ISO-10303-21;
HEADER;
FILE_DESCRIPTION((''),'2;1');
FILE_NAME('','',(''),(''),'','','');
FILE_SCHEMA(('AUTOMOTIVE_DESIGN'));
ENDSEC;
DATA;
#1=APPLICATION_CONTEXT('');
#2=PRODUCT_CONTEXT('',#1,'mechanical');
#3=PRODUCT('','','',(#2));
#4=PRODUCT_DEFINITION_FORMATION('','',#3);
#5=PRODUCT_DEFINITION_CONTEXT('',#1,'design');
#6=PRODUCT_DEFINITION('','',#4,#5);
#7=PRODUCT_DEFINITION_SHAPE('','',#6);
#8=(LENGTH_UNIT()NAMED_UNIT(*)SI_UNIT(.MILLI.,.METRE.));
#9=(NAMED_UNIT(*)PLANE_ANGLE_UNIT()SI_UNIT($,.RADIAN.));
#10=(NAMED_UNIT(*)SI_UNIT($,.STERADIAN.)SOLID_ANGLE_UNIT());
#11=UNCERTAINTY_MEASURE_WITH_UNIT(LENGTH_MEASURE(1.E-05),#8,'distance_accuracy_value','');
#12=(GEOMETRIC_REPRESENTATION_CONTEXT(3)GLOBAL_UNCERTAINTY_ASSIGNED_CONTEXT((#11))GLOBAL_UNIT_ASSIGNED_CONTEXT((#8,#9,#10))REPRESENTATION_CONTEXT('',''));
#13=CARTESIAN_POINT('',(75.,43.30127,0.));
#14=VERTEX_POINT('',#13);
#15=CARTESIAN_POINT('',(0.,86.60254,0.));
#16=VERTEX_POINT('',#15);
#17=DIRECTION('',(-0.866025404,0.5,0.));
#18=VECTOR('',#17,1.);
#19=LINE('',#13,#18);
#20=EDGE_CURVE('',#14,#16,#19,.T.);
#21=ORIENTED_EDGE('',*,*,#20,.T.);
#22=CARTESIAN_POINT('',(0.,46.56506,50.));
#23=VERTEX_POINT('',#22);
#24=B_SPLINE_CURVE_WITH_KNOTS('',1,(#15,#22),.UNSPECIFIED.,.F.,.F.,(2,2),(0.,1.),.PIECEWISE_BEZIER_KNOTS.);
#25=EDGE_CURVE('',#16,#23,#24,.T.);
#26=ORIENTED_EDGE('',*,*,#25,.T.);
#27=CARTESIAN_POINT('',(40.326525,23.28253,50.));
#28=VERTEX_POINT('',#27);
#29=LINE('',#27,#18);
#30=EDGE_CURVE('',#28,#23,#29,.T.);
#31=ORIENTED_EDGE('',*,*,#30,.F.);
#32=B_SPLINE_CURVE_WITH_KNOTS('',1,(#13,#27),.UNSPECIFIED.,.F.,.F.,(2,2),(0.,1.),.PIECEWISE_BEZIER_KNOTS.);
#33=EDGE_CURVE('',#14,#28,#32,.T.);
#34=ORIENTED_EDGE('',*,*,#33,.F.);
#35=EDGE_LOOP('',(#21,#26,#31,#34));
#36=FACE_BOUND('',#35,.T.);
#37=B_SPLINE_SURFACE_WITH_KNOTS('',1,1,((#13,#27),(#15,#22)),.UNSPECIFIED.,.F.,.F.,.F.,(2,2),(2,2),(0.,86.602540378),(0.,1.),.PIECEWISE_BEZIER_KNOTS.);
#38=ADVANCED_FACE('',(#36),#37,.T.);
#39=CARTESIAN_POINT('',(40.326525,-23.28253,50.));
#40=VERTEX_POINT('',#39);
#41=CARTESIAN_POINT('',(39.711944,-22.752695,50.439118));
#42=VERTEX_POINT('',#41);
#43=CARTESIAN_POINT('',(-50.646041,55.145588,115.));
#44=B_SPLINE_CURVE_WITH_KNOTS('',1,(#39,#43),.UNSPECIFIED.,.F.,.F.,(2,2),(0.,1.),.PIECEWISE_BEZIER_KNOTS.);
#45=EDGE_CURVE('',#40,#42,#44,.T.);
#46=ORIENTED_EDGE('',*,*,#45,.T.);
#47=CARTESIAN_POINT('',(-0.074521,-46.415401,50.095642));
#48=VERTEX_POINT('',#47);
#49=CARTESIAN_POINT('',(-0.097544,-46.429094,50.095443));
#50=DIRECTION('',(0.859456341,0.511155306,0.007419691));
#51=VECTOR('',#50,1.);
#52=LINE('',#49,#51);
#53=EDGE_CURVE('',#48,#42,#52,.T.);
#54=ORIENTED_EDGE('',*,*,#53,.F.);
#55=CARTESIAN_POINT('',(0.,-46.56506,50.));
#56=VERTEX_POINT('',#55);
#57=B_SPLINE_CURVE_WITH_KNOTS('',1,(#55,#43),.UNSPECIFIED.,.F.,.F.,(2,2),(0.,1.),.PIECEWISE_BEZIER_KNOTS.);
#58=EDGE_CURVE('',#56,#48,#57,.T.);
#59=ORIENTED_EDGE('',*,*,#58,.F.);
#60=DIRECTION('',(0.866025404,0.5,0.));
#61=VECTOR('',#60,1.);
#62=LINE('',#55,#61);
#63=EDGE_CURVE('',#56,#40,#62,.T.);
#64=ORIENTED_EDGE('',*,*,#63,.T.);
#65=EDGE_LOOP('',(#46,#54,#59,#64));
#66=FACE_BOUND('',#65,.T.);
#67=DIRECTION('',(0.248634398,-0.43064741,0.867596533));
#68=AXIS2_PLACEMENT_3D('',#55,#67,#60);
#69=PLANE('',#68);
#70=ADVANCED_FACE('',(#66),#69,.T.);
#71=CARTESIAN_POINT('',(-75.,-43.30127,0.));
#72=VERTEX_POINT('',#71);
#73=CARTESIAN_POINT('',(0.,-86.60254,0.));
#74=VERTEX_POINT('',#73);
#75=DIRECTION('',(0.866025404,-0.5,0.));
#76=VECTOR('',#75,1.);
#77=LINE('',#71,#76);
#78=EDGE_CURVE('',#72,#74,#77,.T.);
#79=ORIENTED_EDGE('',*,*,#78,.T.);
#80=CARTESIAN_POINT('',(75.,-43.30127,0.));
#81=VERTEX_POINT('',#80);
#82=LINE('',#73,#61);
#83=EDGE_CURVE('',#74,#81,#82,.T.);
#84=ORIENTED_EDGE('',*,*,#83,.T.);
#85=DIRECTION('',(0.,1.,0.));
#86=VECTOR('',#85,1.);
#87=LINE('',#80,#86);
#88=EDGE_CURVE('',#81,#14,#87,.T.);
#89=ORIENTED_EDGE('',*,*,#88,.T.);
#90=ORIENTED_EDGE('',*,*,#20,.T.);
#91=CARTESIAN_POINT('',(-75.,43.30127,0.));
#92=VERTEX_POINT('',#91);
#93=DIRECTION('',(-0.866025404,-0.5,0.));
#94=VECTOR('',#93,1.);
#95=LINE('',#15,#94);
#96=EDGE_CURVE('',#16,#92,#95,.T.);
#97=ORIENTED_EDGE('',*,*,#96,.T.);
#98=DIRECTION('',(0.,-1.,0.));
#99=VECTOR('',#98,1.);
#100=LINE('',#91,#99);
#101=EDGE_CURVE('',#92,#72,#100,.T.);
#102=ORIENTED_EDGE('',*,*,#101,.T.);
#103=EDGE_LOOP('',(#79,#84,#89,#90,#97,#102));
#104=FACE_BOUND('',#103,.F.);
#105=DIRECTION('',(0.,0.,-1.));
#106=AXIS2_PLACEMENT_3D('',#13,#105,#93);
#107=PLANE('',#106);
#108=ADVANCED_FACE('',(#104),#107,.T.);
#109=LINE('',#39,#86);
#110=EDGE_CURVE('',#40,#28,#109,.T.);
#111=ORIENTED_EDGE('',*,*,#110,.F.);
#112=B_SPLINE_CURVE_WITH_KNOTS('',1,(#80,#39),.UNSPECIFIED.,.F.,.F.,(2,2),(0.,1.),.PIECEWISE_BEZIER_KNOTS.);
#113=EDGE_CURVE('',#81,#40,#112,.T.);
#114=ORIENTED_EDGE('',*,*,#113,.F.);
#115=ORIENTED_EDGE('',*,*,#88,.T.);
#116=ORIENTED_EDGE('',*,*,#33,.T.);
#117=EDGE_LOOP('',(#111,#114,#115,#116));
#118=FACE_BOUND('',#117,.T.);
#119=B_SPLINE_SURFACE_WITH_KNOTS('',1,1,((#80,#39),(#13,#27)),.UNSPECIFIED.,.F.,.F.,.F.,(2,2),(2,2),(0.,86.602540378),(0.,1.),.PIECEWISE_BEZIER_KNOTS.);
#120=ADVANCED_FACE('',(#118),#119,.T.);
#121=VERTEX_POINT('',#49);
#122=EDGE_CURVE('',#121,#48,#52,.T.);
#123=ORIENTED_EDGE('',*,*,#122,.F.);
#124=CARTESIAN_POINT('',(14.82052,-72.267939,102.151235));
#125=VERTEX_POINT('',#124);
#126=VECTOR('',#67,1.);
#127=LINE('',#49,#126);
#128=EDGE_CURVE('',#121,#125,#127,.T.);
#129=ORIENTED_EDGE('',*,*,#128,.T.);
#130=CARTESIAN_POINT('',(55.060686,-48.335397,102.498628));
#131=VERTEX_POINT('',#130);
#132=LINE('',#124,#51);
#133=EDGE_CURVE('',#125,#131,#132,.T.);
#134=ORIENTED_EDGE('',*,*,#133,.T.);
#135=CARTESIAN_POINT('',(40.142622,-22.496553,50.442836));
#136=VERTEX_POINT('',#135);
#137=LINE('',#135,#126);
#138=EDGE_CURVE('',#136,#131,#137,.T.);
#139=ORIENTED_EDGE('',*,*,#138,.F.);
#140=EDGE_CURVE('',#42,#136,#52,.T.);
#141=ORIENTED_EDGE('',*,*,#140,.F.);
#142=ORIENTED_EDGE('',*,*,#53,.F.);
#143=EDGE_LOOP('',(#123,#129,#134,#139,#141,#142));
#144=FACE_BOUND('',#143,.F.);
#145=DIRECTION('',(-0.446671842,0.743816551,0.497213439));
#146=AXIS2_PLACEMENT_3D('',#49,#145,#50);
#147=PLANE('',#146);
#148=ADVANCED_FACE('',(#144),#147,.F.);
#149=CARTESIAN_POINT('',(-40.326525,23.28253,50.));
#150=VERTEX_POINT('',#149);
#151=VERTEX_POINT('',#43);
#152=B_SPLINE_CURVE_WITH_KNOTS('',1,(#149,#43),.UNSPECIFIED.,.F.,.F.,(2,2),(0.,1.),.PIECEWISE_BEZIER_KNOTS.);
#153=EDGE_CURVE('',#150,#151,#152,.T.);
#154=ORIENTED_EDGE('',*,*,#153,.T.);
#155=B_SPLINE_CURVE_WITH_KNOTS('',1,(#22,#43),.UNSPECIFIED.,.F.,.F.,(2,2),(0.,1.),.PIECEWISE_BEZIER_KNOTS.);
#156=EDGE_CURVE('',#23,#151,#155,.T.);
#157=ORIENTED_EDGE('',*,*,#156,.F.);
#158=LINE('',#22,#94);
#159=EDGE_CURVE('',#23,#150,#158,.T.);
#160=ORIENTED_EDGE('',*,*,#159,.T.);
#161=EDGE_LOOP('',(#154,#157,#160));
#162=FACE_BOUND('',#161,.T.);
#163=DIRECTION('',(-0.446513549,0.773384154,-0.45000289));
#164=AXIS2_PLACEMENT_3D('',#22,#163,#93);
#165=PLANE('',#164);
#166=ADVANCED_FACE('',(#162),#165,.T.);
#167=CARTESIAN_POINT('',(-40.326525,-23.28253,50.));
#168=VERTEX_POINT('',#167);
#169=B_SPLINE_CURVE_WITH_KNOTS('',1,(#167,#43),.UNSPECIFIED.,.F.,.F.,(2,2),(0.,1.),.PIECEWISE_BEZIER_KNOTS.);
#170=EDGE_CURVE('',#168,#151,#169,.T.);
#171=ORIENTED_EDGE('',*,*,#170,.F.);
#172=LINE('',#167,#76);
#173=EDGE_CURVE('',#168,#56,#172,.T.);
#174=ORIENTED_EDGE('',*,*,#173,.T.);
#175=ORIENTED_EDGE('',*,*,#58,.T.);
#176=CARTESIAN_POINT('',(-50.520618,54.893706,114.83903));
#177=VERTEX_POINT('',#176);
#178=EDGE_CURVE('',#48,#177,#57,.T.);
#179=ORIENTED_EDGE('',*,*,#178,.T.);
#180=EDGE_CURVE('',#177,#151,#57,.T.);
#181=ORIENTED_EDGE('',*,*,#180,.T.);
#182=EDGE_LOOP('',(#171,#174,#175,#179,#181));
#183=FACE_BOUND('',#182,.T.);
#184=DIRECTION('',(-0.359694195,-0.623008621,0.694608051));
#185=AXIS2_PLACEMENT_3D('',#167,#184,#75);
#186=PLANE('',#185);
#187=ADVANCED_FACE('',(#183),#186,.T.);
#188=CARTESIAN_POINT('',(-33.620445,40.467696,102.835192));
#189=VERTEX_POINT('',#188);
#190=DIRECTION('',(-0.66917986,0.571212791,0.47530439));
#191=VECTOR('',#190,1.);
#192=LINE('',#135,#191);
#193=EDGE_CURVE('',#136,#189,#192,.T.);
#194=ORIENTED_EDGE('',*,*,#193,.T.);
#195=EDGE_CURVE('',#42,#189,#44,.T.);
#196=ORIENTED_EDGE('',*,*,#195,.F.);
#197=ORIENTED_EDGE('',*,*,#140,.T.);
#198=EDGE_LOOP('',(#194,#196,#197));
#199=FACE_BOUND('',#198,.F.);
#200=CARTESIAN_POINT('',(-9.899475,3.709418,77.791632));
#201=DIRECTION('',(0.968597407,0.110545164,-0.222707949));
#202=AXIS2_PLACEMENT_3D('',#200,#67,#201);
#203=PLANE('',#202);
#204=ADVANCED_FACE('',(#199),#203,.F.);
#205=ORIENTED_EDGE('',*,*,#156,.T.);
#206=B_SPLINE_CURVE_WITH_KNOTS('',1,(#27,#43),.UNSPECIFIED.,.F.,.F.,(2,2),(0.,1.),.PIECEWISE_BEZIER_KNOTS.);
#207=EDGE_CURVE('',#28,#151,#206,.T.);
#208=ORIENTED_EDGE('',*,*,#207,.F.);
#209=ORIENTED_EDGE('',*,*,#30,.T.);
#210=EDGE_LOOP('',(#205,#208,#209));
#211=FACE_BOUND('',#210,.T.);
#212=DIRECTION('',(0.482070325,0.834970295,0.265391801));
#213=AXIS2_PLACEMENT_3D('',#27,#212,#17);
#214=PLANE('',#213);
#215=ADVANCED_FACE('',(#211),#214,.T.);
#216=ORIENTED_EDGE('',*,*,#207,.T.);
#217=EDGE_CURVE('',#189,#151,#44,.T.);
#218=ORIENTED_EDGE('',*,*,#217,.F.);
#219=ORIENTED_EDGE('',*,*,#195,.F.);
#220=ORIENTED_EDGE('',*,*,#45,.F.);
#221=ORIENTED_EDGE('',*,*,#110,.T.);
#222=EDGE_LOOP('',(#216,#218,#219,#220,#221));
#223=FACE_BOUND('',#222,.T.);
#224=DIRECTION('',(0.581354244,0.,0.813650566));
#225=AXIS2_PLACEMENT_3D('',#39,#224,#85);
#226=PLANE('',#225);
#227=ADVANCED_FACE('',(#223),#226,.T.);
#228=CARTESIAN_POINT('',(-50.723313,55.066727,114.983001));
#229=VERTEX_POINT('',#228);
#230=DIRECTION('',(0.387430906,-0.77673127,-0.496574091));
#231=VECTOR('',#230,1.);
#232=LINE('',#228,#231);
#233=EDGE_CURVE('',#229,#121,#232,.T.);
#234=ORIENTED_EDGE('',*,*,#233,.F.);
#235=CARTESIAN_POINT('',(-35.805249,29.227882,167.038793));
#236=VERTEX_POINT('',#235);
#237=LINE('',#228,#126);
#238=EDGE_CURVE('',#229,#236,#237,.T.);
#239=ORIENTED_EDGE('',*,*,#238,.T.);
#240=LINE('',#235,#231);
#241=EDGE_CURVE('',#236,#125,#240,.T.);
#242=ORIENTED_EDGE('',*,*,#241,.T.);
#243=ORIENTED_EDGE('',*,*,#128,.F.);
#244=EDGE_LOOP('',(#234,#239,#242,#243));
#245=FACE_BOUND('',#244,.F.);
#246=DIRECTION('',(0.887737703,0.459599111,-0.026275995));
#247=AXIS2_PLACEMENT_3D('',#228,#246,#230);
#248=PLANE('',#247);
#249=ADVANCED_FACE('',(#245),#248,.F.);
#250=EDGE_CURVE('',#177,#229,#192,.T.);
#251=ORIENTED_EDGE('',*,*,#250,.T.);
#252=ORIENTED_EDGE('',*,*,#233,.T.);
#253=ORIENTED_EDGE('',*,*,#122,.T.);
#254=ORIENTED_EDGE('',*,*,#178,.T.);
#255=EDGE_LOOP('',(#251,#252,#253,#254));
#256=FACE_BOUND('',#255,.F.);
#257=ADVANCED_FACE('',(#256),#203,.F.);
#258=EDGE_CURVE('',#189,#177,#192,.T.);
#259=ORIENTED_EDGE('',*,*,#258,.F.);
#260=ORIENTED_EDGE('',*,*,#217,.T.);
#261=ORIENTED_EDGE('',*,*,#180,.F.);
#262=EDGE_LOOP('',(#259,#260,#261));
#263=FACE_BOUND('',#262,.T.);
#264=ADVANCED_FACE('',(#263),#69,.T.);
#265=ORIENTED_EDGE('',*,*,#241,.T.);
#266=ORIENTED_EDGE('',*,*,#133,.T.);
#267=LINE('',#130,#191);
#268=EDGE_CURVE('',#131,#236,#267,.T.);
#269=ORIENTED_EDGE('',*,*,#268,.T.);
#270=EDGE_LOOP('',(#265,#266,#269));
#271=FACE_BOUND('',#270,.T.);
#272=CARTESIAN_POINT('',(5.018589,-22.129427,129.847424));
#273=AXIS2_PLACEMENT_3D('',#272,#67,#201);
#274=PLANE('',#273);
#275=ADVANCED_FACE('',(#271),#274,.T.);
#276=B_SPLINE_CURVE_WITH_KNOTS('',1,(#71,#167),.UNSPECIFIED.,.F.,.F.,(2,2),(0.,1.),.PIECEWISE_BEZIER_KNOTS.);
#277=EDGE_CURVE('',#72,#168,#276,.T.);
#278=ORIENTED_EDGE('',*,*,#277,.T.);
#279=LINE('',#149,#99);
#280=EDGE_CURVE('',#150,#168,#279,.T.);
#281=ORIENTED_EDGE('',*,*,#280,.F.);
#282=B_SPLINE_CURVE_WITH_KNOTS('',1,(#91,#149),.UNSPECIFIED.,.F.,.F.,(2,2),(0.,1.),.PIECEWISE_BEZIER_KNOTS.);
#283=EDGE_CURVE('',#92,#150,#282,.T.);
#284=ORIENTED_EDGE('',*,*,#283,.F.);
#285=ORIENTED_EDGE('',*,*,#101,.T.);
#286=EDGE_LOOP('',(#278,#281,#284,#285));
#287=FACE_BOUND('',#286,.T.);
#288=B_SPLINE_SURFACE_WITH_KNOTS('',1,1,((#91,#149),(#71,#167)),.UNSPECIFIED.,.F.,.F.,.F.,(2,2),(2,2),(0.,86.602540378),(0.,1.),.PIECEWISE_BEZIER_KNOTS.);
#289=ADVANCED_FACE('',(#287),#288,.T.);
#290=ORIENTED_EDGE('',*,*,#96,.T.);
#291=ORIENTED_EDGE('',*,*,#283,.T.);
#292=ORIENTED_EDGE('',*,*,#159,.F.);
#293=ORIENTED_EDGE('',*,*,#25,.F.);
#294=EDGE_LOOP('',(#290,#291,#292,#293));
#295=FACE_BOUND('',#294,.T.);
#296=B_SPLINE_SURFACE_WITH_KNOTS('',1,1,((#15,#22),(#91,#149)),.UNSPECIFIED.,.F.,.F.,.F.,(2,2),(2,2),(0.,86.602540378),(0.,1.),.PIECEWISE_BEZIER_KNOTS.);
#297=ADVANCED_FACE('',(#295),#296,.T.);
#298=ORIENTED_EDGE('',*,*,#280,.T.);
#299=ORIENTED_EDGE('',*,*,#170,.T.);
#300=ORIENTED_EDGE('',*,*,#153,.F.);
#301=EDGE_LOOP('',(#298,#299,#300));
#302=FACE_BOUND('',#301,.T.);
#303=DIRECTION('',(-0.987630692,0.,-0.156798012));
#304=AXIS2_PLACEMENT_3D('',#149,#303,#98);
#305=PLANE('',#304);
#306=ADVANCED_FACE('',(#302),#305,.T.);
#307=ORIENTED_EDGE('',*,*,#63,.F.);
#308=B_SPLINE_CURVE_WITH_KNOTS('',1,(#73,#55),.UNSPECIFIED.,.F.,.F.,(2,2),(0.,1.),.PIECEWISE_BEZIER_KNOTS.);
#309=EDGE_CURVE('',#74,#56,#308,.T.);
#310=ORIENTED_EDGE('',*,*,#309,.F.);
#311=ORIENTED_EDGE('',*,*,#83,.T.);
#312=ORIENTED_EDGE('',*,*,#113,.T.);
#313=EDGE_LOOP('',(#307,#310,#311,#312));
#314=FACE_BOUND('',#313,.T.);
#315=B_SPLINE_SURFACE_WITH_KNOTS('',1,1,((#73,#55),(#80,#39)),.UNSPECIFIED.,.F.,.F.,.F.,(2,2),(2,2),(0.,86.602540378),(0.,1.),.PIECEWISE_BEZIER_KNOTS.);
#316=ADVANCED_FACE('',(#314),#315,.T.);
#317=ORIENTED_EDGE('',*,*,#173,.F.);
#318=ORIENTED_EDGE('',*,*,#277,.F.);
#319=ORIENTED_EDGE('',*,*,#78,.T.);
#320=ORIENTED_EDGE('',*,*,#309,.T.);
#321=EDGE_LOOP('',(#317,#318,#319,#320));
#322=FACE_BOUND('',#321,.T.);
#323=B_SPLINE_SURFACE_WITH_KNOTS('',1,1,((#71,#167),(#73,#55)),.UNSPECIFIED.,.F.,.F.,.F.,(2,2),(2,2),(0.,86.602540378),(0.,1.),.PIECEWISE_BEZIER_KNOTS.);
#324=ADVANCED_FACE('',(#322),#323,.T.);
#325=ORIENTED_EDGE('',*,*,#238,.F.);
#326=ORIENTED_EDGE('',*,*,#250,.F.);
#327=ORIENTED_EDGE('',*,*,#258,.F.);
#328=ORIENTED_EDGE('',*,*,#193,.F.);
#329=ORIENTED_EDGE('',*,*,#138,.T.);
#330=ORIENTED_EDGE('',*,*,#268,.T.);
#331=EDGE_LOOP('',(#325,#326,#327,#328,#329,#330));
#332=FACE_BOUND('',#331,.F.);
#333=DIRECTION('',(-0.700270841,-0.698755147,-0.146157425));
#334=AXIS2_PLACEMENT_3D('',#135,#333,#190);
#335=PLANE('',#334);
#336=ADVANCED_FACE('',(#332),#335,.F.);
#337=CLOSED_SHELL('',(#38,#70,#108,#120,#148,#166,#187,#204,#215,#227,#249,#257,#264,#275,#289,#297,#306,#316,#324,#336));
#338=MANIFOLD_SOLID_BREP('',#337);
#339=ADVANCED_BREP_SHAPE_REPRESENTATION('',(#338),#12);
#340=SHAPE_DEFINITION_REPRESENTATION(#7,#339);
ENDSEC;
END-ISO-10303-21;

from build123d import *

# Parameters (mm, degrees)
F9_DEPTH = 60


with BuildPart() as f3:
    # F0 (on Top) → F3 section 0
    with BuildSketch(Plane.XY):
        Polygon((75, 43.3012701892), (0, 86.6025403784), (-75, 43.3012701892), (-75, -43.3012701892), (0, -86.6025403784), (75, -43.3012701892), align=None)
    # F2 (on offset) → F3 section 1
    with BuildSketch(Plane.XY.offset(50)):
        Polygon((40.3265245185, 23.2825297862), (0, 46.5650595725), (-40.3265245185, 23.2825297862), (-40.3265245185, -23.2825297862), (0, -46.5650595725), (40.3265245185, -23.2825297862), align=None)
    loft()

    # F3_face (on face) → F6 section 0
    with BuildSketch(Plane.XY.offset(50), mode=Mode.PRIVATE) as f6_s0:
        Polygon((40.3265245185, -23.2825297862), (40.3265245185, 23.2825297862), (0, 46.5650595725), (-40.3265245185, 23.2825297862), (-40.3265245185, -23.2825297862), (0, -46.5650595725), align=None)
    loft([f6_s0.sketch, Vertex(-50.6460405886, 55.1455877721, 115)])

    # F8 (on offset) → F9 (join)
    with BuildSketch(Plane(origin=(15.7716130811, -27.3172351738, 55.0342066068), x_dir=(0.9685974066, 0.1105451644, -0.2227079489), z_dir=(0.2486343981, -0.4306474099, 0.8675965332))):
        Polygon((25.1611340791, 2.2766380571), (-68.6507374048, 100.4471331835), (-16.3836460561, -19.314782694), align=None)
    extrude(amount=F9_DEPTH)


solid = f3.part
